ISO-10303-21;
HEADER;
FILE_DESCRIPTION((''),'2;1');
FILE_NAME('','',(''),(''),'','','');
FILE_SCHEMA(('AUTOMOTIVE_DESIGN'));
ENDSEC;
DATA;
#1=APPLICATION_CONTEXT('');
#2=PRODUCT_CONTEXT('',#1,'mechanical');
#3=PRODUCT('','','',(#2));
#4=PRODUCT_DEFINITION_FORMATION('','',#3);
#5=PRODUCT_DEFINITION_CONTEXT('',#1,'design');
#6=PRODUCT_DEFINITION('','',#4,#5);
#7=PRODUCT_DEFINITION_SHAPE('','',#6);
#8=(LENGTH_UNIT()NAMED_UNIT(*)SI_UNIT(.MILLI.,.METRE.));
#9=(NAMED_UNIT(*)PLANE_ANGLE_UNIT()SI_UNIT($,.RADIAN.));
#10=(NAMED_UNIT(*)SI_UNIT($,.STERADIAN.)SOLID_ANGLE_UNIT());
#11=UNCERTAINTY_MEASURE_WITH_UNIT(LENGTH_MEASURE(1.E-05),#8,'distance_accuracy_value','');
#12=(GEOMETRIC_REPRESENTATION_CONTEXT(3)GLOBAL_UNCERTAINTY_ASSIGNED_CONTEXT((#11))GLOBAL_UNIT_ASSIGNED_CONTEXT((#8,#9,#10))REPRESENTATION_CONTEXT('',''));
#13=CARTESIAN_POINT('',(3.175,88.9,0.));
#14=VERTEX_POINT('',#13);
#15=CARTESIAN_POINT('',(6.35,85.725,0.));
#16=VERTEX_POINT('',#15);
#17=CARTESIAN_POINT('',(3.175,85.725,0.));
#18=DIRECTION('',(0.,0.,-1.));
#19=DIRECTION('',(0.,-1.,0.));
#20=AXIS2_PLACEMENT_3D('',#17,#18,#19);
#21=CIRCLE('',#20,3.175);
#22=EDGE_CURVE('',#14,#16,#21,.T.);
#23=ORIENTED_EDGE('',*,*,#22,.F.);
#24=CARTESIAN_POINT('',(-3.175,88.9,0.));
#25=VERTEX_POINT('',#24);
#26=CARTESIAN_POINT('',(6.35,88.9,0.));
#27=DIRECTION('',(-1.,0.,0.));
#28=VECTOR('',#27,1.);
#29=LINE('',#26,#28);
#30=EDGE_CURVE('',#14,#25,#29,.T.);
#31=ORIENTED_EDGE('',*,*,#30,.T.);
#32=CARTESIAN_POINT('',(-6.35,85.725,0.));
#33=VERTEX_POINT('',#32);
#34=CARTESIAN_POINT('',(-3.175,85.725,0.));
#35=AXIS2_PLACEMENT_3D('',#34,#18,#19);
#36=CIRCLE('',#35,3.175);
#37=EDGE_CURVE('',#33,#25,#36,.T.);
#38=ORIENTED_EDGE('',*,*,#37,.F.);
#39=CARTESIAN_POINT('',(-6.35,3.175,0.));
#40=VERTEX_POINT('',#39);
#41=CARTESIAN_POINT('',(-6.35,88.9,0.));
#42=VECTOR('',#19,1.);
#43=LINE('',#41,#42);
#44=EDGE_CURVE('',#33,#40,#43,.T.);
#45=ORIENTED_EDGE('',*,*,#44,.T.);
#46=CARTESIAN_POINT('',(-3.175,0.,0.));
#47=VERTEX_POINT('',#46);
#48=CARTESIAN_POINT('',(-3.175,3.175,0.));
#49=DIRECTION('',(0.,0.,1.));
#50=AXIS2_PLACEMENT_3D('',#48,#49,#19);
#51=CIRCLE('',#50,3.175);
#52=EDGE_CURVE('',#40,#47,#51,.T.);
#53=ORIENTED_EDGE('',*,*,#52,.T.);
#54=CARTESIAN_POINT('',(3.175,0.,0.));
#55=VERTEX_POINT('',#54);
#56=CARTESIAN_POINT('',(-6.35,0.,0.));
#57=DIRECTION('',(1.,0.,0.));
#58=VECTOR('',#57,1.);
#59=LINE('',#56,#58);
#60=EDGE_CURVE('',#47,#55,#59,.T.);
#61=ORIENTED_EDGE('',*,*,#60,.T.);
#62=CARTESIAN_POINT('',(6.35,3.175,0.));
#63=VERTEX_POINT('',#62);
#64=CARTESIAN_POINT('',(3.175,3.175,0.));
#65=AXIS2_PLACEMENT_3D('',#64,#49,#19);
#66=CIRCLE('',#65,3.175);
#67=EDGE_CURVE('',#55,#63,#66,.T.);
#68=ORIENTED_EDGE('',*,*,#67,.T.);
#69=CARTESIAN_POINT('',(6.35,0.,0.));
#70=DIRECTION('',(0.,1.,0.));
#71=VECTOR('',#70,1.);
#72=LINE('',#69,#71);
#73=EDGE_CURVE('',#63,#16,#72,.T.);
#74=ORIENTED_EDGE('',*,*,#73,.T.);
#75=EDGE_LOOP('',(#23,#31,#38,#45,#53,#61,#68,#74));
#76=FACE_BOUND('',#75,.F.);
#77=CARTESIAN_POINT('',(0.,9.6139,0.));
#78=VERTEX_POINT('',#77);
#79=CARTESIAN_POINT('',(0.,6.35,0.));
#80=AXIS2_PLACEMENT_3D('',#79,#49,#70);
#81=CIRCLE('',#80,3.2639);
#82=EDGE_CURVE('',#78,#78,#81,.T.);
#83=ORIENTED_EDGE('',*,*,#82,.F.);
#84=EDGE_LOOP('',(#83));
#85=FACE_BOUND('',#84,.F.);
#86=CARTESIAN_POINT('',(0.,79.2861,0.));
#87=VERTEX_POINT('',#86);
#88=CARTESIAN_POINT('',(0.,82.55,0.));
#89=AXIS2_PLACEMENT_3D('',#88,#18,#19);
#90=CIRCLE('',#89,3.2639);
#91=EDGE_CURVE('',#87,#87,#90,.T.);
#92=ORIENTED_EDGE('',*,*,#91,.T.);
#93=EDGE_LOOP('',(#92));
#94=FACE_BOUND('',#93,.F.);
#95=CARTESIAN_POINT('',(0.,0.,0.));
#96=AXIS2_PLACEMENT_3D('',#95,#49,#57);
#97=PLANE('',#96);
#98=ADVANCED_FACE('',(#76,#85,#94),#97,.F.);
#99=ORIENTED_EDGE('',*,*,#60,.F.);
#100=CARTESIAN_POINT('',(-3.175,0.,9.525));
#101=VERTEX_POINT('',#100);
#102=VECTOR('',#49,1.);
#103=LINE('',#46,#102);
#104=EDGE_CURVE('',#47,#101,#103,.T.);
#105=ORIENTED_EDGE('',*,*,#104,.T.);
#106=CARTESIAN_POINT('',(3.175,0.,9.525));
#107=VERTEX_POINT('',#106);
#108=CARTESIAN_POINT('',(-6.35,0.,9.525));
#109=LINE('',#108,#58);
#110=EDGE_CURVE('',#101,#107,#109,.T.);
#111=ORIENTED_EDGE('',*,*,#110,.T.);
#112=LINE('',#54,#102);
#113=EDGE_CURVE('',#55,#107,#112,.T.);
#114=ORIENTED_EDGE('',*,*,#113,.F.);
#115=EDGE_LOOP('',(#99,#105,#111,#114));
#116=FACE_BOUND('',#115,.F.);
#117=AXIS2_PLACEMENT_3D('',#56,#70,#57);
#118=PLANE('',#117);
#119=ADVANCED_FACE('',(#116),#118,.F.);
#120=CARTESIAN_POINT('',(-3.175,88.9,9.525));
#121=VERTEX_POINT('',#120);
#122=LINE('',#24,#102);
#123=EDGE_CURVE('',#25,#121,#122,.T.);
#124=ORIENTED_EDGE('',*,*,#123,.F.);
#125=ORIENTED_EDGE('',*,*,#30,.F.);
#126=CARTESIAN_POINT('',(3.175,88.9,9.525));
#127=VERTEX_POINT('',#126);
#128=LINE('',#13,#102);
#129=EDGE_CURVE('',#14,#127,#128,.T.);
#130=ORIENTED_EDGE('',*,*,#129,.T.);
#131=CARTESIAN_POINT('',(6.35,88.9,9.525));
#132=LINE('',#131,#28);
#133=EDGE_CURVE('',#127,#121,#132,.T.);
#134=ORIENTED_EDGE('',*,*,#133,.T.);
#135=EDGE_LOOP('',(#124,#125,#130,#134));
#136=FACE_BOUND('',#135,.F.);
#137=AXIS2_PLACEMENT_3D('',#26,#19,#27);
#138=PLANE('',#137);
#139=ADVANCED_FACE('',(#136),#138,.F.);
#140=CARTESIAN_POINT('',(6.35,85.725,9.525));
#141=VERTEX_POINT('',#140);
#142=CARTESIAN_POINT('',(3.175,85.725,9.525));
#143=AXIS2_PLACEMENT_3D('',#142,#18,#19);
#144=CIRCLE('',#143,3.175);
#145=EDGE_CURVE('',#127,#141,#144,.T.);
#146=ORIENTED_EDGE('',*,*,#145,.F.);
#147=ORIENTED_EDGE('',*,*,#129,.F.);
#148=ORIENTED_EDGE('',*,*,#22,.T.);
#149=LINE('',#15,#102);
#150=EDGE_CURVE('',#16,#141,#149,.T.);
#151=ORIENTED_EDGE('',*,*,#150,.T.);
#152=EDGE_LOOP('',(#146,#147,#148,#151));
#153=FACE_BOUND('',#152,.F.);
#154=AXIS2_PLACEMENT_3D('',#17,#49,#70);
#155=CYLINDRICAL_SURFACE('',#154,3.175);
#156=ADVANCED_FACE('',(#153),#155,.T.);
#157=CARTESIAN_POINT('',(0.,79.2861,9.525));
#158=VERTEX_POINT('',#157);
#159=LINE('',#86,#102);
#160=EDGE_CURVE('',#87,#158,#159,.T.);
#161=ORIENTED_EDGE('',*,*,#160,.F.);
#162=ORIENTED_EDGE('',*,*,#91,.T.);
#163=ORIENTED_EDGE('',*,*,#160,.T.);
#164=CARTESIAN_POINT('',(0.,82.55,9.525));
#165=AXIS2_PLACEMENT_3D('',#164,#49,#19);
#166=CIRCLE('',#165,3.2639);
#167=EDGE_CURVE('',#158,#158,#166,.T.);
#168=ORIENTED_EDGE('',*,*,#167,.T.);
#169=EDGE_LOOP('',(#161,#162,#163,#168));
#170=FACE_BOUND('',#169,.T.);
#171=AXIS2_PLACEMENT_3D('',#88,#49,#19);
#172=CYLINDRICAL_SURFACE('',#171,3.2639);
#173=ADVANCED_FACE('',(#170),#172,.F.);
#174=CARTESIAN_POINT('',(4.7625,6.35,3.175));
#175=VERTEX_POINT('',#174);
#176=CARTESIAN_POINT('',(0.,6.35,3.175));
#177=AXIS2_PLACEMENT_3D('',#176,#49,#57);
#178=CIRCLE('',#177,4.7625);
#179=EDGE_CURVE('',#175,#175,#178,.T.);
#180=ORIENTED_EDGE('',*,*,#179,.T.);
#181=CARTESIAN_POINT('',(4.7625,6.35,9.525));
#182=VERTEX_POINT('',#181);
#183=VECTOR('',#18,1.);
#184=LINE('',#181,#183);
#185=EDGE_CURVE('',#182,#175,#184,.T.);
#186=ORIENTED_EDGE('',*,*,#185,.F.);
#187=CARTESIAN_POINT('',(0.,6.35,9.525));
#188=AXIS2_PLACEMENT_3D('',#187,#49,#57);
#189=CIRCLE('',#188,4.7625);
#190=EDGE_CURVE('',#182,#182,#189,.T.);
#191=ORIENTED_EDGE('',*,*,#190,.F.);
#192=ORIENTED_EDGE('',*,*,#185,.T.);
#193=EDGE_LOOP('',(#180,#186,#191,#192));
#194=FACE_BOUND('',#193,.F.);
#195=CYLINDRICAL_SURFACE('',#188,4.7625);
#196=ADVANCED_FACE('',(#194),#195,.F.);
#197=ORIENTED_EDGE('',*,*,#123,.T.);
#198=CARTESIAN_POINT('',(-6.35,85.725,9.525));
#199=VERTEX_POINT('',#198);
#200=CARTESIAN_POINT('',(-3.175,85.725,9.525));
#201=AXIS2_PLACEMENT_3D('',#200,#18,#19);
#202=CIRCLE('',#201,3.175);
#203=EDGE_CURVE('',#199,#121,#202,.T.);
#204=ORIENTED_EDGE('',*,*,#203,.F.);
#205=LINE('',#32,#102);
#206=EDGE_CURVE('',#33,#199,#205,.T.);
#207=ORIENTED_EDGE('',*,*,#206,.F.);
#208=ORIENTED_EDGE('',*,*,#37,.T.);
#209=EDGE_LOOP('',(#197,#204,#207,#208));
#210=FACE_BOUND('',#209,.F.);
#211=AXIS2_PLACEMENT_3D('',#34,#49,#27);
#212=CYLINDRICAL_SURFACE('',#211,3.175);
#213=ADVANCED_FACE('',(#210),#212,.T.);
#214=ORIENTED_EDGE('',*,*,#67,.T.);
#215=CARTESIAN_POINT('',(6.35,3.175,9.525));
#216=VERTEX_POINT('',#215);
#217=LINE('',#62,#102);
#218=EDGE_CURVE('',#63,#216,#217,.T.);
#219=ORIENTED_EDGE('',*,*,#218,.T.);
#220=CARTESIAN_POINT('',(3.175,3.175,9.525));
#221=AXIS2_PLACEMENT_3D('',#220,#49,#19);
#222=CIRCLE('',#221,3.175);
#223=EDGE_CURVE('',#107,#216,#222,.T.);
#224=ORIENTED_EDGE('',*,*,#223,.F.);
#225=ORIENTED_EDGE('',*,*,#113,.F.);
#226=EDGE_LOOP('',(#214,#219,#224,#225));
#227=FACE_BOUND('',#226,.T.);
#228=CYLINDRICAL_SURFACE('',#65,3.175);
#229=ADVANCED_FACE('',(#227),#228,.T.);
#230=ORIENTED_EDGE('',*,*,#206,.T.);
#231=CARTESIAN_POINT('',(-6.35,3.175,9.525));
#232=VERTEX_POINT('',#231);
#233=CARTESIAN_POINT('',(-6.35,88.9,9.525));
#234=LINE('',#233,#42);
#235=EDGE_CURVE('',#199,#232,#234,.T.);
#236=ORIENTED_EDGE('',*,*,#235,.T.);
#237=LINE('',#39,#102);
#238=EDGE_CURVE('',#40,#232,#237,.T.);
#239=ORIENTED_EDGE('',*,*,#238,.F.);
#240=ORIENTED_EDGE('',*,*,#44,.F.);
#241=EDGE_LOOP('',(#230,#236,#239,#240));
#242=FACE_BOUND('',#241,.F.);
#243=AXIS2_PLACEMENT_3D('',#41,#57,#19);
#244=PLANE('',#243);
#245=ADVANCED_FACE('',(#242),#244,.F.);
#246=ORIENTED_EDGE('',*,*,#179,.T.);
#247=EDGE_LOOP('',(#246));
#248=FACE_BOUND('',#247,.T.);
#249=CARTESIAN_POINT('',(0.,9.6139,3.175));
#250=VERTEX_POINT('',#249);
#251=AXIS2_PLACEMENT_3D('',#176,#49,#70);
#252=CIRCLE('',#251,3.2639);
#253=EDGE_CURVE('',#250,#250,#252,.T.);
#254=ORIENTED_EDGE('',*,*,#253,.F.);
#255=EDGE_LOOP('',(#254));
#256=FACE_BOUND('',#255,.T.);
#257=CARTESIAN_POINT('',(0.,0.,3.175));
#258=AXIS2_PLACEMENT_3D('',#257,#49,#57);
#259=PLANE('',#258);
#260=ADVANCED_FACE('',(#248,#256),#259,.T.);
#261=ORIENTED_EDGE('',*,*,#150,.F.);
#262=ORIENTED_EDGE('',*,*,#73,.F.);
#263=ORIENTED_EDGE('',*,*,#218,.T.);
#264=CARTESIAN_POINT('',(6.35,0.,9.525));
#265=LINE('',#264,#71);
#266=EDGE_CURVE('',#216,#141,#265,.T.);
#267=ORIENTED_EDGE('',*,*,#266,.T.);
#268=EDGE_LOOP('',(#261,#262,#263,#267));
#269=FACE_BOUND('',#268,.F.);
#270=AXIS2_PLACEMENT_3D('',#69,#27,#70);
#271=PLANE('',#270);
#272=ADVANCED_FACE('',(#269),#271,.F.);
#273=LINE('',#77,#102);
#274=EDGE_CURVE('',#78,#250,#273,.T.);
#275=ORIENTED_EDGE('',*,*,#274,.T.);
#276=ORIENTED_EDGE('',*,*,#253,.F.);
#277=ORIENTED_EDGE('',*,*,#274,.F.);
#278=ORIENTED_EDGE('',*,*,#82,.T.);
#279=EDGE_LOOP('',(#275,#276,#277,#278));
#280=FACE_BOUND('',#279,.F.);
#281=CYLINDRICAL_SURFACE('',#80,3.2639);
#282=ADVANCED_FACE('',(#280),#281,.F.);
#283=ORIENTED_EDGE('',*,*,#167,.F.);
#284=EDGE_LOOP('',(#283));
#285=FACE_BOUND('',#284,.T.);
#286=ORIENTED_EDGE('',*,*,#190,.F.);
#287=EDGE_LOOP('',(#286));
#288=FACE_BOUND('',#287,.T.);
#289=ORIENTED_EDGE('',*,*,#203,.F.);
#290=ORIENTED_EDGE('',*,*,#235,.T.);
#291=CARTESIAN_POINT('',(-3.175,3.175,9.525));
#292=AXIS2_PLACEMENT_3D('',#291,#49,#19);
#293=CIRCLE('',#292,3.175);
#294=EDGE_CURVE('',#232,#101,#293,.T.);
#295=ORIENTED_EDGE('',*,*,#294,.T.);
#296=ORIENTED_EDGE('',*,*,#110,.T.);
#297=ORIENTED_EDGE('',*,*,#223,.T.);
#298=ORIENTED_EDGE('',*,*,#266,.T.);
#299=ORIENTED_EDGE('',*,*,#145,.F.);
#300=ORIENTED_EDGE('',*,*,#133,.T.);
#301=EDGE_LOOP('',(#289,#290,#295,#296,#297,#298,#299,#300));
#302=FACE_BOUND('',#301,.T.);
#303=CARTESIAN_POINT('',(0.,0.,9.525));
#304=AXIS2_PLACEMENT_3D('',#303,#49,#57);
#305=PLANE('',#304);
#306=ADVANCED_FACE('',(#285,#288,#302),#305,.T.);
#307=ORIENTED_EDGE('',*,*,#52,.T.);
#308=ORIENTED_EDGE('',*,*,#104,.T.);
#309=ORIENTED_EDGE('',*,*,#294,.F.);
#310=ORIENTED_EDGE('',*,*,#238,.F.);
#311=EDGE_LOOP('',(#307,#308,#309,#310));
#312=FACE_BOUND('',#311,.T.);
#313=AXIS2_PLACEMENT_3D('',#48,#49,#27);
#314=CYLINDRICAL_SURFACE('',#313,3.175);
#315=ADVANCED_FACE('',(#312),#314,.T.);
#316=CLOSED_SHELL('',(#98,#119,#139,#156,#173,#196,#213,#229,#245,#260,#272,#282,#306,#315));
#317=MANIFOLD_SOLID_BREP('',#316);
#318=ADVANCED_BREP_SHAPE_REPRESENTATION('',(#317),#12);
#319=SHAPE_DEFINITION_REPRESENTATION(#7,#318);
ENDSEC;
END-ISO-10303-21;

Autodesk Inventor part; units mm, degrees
ref_plane "YZ Plane" through (0, 0, 0) normal (1, 0, 0) x (0, 1, 0)
ref_plane "XZ Plane" through (0, 0, 0) normal (0, 1, 0) x (-1, 0, 0)
sketch "Sketch1" plane through (0, 0, 0) normal (0, 0, 1) x (1, 0, 0)
  line L0 (-6.35, 0) -> (6.35, 0)
  line L1 (6.35, 0) -> (6.35, 88.9)
  line L2 (6.35, 88.9) -> (-6.35, 88.9)
  line L3 (-6.35, 88.9) -> (-6.35, 0)
  point P0 (0, 0)
  dimension "d6" = 88.9
  dimension "d7" = 12.7
  dimension "d22" = 6.35
extrude "Extrusion3" add sketch "Sketch1" along normal blind 9.525
sketch "Sketch4" plane through (0, 0, 0) normal (0, 0, -1) x (-1, 0, 0)
  line L0 (6.35, 0) -> (-6.35, 0) projected
  line L1 (-6.35, 0) -> (-6.35, 88.9) projected
  point P0 (0, 0)
  point P1 (0, 6.35)
  dimension "d13" = 6.35
  dimension "d14" = 6.35
hole "Hole1" at (0, 6.35, 0) direction (0, 0, 1) diameter 6.5278 end through all
sketch "Sketch5" plane through (0, 0, 9.525) normal (0, 0, 1) x (1, 0, 0)
  line L0 (-6.35, 88.9) -> (-6.35, 0) projected
  line L1 (-6.35, 44.45) -> (6.35, 44.45) construction
  line L2 (6.35, 0) -> (6.35, 88.9) projected
  point P0 (0, 0)
ref_plane "Work Plane1" through (-6.35, 44.45, 9.525) normal (0, -1, 0) x (1, 0, 0)
mirror "Mirror1" about plane through (-6.35, 44.45, 9.525) normal (0, -1, 0) of "Hole1"
fillet "Fillet1" radius 3.175 4 edges at (-6.35, 88.9, 4.7625) (6.35, 88.9, 4.7625) (6.35, 0, 4.7625) (-6.35, 0, 4.7625)
sketch "Sketch6" plane through (0, 0, 9.525) normal (0, 0, 1) x (1, 0, 0)
  circle A0 centre (0, 6.35) radius 3.2639 projected
  circle A1 centre (0, 6.35) radius 4.7625
  point P0 (0, 0)
  dimension "d25" = 9.525
extrude "Extrusion4" cut sketch "Sketch6" against normal blind 6.35
properties part number "Arm" material "Aluminum 6061"
